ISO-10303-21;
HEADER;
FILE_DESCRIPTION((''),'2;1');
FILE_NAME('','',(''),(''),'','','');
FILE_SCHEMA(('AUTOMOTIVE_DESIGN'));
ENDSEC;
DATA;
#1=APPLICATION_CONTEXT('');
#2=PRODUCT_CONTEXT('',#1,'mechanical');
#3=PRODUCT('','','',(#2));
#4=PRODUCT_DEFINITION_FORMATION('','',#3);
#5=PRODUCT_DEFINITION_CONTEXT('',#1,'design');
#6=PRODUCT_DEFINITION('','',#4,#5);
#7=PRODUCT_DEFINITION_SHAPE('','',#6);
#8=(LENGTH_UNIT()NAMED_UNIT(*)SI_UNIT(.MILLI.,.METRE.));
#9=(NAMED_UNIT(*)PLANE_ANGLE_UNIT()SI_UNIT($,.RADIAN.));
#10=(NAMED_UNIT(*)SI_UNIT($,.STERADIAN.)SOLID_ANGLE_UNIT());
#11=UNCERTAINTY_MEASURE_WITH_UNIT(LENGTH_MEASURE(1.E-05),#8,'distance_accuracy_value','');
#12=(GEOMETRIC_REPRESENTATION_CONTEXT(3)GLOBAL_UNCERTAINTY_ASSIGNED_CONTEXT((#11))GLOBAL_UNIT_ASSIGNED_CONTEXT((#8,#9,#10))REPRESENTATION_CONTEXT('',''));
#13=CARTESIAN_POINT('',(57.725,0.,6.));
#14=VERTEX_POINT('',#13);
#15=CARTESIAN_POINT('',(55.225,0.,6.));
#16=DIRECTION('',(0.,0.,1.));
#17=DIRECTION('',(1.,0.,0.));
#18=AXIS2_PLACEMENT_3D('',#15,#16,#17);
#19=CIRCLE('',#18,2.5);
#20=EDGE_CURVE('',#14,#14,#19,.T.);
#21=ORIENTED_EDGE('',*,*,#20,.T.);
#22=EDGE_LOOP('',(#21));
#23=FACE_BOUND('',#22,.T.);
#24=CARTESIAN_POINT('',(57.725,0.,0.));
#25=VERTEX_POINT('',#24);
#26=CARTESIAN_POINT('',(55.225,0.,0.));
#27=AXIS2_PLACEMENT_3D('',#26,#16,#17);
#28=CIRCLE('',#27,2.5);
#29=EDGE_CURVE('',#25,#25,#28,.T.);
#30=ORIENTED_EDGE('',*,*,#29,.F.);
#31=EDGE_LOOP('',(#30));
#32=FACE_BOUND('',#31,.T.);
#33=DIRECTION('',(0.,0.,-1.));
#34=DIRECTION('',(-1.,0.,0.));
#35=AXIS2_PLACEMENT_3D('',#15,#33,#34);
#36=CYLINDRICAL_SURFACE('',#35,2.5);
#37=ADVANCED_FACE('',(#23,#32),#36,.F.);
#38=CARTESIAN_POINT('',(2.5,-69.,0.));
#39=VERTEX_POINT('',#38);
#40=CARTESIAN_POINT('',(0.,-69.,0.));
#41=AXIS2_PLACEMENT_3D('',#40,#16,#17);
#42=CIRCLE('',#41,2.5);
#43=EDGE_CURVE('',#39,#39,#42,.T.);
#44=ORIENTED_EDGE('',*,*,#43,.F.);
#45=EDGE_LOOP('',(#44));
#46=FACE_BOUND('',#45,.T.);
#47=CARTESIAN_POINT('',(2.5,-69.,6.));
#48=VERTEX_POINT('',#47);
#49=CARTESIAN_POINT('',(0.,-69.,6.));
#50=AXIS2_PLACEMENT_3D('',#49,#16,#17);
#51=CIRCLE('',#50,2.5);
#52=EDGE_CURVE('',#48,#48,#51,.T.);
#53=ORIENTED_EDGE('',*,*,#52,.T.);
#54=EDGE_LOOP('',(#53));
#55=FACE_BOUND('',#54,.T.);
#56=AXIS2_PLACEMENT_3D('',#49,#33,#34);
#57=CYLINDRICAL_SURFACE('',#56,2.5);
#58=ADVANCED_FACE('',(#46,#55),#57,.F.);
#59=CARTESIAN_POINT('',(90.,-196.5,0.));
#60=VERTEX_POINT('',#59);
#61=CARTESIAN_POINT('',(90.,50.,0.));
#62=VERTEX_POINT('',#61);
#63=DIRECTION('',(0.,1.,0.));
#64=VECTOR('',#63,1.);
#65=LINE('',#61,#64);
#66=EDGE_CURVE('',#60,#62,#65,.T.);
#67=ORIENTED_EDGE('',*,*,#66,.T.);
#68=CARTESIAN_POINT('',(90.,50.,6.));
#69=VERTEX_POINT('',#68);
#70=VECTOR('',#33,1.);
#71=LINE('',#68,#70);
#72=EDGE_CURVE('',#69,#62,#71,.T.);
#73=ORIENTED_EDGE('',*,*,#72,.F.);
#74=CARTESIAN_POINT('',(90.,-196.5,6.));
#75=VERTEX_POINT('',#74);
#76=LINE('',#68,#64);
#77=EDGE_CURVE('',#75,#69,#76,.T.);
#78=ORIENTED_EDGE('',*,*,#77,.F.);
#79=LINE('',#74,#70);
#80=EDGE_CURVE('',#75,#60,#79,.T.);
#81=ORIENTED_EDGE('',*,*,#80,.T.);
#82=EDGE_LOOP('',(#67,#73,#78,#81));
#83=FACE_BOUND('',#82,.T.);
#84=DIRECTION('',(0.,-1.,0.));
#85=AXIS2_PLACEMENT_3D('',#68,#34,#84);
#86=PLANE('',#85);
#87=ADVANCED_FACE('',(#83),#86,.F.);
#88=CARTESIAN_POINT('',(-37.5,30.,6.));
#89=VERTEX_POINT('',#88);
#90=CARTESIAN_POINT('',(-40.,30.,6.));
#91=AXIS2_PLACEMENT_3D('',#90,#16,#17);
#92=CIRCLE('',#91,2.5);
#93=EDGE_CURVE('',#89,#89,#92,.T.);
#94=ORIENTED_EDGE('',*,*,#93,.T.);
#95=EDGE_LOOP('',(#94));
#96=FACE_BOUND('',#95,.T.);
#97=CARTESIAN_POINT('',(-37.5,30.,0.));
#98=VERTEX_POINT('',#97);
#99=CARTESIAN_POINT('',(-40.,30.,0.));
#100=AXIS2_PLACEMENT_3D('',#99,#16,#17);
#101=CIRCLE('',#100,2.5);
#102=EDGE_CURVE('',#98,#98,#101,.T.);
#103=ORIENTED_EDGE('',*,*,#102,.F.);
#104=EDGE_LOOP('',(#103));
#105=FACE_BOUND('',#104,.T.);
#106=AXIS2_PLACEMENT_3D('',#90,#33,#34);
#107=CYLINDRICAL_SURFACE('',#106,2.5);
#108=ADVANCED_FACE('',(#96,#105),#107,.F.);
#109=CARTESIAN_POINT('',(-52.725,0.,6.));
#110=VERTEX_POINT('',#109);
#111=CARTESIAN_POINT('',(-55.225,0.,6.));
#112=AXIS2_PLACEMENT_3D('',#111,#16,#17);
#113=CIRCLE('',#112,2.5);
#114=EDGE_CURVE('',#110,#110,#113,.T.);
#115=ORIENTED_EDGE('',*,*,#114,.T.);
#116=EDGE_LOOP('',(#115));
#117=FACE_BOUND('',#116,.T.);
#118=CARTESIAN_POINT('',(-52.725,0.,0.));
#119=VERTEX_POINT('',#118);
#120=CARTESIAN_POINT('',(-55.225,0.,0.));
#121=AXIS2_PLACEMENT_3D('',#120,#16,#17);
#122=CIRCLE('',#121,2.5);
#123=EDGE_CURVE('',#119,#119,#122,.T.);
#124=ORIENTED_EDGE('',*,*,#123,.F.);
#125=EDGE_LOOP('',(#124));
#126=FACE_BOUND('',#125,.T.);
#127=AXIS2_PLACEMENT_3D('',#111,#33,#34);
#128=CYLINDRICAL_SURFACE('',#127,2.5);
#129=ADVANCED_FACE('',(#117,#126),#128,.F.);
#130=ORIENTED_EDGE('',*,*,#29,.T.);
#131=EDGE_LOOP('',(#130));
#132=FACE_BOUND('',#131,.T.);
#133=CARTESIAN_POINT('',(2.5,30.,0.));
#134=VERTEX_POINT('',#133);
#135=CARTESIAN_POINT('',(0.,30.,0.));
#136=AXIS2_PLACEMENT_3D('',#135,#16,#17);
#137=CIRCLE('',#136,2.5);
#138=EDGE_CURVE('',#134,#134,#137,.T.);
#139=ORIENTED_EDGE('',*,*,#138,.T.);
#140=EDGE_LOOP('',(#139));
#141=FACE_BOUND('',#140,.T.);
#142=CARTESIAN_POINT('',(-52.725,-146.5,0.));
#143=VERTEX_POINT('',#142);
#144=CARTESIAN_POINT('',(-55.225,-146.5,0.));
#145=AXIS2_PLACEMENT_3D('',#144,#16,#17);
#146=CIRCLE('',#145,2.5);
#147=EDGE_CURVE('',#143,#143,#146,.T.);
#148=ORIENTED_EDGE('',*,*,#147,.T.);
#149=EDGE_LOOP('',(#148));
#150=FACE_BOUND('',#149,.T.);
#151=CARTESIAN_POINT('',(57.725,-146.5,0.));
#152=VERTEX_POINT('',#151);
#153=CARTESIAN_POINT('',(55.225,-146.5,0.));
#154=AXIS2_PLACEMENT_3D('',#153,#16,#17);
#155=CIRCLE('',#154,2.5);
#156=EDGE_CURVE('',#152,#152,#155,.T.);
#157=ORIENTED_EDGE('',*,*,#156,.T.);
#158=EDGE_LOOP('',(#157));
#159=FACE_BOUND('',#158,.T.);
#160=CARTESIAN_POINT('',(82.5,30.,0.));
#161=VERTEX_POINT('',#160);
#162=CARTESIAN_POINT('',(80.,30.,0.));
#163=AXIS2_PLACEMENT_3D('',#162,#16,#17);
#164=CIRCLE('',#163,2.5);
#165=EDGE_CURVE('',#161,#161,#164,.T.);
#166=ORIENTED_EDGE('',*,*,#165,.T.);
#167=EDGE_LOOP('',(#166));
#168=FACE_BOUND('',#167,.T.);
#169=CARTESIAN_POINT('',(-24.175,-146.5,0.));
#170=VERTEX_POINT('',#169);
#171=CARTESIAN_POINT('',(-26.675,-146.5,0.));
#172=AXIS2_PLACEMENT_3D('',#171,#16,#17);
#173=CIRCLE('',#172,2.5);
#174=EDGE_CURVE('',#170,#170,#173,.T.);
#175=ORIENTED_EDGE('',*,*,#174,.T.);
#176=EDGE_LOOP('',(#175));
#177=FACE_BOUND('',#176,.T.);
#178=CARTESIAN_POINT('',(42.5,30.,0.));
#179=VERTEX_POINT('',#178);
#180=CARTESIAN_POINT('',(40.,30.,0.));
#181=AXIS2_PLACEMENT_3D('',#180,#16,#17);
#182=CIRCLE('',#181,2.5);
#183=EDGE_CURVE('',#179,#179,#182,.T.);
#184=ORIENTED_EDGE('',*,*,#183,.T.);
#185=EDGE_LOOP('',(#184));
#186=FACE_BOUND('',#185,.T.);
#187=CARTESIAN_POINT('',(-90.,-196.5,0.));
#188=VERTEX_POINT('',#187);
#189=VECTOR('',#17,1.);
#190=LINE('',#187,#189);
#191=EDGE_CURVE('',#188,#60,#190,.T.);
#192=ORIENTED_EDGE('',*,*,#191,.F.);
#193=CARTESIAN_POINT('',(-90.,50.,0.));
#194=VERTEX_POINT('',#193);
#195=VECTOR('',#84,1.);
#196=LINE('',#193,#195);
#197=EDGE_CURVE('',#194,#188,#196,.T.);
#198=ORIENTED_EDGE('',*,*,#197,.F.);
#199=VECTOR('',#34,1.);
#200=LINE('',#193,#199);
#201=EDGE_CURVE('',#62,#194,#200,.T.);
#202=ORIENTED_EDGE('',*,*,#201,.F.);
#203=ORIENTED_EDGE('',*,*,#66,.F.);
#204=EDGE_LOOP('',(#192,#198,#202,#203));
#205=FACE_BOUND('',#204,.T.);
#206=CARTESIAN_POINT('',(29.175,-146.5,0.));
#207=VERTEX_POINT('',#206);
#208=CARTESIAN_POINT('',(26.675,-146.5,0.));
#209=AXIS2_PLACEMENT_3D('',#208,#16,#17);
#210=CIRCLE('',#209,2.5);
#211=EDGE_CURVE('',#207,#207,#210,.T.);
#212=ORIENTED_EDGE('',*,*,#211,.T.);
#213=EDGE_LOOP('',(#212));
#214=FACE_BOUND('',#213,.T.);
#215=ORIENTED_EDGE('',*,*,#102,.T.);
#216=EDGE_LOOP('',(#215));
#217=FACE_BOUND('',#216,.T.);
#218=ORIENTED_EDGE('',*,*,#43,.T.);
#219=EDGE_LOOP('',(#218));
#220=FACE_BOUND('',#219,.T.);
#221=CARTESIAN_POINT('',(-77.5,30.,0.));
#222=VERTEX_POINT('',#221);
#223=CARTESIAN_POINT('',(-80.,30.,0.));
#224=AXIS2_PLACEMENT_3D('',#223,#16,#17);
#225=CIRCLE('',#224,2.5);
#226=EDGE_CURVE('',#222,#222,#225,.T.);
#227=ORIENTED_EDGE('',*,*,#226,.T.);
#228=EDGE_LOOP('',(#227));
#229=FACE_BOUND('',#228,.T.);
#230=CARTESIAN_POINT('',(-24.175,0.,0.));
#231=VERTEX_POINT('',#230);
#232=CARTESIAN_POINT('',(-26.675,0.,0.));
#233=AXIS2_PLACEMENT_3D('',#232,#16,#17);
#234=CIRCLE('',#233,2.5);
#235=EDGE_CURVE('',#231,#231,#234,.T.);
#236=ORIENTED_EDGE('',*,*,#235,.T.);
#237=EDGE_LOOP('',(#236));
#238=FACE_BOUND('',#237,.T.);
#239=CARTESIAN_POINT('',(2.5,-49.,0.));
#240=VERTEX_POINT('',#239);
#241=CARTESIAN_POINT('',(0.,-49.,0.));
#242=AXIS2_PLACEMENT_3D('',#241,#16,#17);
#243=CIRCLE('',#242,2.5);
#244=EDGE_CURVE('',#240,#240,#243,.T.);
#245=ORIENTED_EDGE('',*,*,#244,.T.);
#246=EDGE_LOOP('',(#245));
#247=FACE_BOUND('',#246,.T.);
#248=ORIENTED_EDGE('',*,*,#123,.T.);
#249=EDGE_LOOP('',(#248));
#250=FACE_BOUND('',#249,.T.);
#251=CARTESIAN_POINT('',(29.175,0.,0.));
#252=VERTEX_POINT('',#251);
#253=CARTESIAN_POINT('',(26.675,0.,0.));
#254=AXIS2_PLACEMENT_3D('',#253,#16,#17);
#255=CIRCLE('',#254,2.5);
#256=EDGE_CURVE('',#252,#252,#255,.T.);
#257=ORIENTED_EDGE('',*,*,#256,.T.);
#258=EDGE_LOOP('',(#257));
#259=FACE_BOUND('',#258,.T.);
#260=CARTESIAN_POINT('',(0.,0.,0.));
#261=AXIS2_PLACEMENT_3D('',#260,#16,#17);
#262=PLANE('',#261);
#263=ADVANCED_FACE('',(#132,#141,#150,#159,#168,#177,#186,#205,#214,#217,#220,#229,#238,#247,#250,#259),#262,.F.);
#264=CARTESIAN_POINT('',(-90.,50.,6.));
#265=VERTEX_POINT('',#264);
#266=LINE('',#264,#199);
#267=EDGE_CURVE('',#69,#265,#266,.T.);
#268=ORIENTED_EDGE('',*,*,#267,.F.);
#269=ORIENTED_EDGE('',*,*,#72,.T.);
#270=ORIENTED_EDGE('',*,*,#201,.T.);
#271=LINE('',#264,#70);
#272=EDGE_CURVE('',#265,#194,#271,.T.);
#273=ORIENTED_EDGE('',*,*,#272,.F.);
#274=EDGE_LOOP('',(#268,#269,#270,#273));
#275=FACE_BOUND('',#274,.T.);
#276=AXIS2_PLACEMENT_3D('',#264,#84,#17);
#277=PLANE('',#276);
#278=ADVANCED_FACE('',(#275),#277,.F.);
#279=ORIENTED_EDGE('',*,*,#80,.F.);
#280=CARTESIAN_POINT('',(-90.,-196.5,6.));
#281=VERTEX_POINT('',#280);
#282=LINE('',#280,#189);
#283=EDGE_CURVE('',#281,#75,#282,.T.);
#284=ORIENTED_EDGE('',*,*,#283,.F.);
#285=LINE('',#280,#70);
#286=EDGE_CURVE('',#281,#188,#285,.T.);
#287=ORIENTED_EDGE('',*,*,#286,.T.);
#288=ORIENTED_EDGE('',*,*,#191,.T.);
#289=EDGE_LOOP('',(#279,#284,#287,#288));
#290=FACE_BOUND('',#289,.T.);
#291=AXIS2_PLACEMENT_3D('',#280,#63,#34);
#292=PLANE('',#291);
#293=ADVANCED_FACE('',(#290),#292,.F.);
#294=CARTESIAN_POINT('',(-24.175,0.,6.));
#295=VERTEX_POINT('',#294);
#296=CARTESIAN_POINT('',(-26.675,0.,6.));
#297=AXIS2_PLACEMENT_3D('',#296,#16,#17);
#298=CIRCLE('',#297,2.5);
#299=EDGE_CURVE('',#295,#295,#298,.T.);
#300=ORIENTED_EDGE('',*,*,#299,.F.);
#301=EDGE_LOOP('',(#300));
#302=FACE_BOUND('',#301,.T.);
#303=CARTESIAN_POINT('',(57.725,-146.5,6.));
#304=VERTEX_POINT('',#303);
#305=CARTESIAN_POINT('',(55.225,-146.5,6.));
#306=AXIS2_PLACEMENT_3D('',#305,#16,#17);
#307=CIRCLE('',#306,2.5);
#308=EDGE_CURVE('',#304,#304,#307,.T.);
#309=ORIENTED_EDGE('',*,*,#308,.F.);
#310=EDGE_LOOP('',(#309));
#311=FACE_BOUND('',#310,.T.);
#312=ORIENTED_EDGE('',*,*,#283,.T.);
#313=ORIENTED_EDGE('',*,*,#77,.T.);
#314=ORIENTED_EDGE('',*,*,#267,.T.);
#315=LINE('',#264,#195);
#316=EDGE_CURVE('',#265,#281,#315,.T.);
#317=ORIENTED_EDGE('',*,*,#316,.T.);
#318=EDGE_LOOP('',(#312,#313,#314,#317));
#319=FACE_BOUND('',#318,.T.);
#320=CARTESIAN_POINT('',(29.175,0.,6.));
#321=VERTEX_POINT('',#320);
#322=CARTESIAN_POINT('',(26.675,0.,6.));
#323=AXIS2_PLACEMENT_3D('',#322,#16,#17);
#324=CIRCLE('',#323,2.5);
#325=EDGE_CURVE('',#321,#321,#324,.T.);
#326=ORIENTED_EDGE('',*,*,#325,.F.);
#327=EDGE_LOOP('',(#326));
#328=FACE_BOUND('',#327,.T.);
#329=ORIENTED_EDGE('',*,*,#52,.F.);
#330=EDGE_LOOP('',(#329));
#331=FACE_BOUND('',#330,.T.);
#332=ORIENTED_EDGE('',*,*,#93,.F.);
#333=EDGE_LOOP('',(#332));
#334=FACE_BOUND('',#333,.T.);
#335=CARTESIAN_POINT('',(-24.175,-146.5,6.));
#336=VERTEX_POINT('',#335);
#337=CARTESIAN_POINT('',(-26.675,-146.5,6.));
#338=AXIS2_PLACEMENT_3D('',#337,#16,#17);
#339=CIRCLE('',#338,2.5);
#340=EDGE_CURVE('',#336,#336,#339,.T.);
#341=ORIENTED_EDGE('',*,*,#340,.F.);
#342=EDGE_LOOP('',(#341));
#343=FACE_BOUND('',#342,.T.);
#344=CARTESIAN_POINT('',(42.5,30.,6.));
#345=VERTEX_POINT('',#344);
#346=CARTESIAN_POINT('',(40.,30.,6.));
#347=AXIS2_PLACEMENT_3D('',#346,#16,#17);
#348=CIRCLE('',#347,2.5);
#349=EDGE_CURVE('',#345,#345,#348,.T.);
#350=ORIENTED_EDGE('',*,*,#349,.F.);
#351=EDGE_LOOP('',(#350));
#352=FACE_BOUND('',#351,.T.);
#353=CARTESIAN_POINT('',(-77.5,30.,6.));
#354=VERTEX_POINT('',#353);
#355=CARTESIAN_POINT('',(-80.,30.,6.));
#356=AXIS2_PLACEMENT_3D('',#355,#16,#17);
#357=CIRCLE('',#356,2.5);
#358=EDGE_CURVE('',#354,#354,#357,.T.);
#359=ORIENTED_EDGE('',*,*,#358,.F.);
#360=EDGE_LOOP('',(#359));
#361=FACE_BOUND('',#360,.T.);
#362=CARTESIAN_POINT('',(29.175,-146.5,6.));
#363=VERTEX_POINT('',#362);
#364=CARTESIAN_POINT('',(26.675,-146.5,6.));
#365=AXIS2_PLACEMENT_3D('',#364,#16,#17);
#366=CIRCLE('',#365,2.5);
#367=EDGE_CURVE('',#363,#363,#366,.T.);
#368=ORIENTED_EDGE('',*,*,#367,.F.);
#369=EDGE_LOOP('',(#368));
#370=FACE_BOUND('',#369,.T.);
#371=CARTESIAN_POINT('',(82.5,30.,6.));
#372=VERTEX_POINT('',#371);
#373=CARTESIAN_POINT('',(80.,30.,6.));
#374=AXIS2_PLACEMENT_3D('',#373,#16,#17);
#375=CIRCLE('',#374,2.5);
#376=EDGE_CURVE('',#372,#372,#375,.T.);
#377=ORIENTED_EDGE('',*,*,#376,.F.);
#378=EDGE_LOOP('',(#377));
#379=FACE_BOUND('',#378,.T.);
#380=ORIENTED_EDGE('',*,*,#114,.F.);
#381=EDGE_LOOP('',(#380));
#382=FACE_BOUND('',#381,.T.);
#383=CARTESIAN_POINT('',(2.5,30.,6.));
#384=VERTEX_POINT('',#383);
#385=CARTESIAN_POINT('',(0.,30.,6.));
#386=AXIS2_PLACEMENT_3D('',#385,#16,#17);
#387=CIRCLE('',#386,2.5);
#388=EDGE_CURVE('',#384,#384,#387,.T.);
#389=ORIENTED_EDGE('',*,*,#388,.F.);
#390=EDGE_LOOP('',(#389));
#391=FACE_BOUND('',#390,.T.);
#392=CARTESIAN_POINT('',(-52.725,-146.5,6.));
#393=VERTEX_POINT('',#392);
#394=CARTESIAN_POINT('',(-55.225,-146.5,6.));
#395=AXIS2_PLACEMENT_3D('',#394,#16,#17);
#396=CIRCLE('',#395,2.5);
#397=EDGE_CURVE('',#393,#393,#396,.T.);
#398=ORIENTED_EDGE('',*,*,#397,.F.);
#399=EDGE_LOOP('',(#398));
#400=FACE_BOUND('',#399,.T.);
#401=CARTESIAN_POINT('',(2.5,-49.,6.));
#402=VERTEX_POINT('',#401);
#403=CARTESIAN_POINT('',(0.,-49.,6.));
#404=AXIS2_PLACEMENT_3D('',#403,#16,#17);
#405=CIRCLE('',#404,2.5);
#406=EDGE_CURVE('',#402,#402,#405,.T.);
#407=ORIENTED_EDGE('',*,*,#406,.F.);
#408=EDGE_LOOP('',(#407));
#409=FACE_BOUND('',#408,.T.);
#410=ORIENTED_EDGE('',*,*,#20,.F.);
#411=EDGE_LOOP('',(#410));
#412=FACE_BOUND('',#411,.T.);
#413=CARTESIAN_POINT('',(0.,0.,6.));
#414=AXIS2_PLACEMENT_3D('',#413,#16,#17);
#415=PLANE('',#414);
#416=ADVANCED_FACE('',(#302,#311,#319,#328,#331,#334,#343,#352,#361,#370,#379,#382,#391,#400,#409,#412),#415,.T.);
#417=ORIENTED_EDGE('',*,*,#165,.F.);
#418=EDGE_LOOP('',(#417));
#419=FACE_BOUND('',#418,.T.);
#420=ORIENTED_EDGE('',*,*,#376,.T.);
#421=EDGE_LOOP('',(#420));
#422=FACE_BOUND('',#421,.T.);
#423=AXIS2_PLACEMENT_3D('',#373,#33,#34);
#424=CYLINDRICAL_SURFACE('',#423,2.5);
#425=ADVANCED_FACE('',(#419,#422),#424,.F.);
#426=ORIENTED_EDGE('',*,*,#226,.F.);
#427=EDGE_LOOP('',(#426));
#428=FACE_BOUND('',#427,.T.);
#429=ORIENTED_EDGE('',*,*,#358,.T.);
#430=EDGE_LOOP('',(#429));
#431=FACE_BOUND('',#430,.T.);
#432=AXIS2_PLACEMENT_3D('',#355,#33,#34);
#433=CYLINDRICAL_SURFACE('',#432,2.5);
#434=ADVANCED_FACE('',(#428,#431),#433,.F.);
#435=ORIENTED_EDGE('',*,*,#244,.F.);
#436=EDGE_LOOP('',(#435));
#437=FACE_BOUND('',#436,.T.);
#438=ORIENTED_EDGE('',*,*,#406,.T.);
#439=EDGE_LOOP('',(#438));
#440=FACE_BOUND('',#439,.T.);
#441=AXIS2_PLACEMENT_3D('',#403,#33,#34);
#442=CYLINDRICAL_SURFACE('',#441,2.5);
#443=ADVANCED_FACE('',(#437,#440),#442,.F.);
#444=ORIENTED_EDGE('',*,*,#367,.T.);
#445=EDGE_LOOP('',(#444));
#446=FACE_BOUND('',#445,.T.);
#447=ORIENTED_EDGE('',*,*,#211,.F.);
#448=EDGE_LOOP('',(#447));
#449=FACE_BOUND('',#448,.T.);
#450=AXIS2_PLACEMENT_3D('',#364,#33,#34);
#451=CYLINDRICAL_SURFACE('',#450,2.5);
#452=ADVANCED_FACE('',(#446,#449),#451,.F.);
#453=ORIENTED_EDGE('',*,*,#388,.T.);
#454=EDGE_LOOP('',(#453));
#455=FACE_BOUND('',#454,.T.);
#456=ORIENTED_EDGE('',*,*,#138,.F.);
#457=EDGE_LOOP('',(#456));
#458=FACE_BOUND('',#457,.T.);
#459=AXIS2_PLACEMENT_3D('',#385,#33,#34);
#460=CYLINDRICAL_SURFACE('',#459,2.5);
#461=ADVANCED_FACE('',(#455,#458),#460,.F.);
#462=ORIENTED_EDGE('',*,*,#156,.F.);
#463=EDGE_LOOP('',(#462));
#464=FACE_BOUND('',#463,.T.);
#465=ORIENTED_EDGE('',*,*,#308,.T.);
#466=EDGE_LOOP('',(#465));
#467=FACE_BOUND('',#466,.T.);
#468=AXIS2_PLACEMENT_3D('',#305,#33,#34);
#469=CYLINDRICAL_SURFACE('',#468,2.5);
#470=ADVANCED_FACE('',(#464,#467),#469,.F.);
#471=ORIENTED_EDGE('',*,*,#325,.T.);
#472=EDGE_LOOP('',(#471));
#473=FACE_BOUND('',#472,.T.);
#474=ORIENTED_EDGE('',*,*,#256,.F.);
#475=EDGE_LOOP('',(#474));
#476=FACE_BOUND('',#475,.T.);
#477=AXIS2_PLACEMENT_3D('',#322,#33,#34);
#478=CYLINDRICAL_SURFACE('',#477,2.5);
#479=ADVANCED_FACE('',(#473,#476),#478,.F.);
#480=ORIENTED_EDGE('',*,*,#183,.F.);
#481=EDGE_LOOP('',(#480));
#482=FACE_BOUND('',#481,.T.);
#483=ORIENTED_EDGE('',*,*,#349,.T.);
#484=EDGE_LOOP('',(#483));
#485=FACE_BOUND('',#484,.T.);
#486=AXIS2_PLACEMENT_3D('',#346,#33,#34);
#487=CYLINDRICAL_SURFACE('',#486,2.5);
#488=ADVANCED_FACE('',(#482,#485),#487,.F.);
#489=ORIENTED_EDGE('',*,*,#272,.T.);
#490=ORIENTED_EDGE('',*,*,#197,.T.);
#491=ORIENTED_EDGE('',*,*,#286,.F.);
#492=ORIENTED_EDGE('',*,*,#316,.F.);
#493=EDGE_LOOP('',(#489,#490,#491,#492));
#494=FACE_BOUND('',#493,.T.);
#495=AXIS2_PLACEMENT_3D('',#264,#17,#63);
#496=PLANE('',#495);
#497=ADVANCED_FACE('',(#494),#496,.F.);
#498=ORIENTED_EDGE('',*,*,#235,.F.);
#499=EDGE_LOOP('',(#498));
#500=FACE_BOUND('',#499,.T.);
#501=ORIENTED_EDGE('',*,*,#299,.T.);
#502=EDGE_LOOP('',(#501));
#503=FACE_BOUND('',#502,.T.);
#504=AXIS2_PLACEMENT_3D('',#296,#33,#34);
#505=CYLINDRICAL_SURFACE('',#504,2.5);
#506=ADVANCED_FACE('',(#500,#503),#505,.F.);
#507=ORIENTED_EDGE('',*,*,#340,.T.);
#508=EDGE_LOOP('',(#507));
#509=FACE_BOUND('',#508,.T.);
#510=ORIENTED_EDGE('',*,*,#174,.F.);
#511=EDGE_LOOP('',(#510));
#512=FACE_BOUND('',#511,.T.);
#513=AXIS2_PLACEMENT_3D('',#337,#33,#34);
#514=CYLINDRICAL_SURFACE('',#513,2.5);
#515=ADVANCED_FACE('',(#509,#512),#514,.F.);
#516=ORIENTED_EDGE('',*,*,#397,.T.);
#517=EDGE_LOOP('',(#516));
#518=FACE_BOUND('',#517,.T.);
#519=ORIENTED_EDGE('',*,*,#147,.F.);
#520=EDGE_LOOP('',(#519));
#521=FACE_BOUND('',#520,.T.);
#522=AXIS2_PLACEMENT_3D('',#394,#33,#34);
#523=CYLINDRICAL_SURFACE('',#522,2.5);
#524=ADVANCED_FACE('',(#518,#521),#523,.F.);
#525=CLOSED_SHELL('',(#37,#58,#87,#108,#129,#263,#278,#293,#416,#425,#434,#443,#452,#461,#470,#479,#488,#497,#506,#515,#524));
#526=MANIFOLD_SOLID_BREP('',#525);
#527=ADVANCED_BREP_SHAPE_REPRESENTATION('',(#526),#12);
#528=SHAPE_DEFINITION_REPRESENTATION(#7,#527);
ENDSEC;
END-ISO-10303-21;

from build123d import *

# Parameters (mm, degrees)
SKETCH1_W           = 180
SKETCH1_H           = 246.5
SKETCH1_R           = 2.5
BOSS_EXTRUDE1_DEPTH = 6


with BuildPart() as part:
    # Sketch1 → Boss-Extrude1 (new body)
    with BuildSketch(Plane.XY):
        with Locations((0, -73.25)):
            Rectangle(SKETCH1_W, SKETCH1_H)
        with Locations((-55.225, 0)):
            Circle(SKETCH1_R, mode=Mode.SUBTRACT)
        with Locations((-26.675, 0)):
            Circle(SKETCH1_R, mode=Mode.SUBTRACT)
        with Locations((55.225, 0)):
            Circle(SKETCH1_R, mode=Mode.SUBTRACT)
        with Locations((26.675, 0)):
            Circle(SKETCH1_R, mode=Mode.SUBTRACT)
        with Locations((-55.225, -146.5)):
            Circle(SKETCH1_R, mode=Mode.SUBTRACT)
        with Locations((-26.675, -146.5)):
            Circle(SKETCH1_R, mode=Mode.SUBTRACT)
        with Locations((55.225, -146.5)):
            Circle(SKETCH1_R, mode=Mode.SUBTRACT)
        with Locations((26.675, -146.5)):
            Circle(SKETCH1_R, mode=Mode.SUBTRACT)
        with Locations((-80, 30)):
            Circle(SKETCH1_R, mode=Mode.SUBTRACT)
        with Locations((-40, 30)):
            Circle(SKETCH1_R, mode=Mode.SUBTRACT)
        with Locations((80, 30)):
            Circle(SKETCH1_R, mode=Mode.SUBTRACT)
        with Locations((40, 30)):
            Circle(SKETCH1_R, mode=Mode.SUBTRACT)
        with Locations((0, 30)):
            Circle(SKETCH1_R, mode=Mode.SUBTRACT)
        with Locations((0, -49)):
            Circle(SKETCH1_R, mode=Mode.SUBTRACT)
        with Locations((0, -69)):
            Circle(SKETCH1_R, mode=Mode.SUBTRACT)
    extrude(amount=BOSS_EXTRUDE1_DEPTH)


solid = part.part
